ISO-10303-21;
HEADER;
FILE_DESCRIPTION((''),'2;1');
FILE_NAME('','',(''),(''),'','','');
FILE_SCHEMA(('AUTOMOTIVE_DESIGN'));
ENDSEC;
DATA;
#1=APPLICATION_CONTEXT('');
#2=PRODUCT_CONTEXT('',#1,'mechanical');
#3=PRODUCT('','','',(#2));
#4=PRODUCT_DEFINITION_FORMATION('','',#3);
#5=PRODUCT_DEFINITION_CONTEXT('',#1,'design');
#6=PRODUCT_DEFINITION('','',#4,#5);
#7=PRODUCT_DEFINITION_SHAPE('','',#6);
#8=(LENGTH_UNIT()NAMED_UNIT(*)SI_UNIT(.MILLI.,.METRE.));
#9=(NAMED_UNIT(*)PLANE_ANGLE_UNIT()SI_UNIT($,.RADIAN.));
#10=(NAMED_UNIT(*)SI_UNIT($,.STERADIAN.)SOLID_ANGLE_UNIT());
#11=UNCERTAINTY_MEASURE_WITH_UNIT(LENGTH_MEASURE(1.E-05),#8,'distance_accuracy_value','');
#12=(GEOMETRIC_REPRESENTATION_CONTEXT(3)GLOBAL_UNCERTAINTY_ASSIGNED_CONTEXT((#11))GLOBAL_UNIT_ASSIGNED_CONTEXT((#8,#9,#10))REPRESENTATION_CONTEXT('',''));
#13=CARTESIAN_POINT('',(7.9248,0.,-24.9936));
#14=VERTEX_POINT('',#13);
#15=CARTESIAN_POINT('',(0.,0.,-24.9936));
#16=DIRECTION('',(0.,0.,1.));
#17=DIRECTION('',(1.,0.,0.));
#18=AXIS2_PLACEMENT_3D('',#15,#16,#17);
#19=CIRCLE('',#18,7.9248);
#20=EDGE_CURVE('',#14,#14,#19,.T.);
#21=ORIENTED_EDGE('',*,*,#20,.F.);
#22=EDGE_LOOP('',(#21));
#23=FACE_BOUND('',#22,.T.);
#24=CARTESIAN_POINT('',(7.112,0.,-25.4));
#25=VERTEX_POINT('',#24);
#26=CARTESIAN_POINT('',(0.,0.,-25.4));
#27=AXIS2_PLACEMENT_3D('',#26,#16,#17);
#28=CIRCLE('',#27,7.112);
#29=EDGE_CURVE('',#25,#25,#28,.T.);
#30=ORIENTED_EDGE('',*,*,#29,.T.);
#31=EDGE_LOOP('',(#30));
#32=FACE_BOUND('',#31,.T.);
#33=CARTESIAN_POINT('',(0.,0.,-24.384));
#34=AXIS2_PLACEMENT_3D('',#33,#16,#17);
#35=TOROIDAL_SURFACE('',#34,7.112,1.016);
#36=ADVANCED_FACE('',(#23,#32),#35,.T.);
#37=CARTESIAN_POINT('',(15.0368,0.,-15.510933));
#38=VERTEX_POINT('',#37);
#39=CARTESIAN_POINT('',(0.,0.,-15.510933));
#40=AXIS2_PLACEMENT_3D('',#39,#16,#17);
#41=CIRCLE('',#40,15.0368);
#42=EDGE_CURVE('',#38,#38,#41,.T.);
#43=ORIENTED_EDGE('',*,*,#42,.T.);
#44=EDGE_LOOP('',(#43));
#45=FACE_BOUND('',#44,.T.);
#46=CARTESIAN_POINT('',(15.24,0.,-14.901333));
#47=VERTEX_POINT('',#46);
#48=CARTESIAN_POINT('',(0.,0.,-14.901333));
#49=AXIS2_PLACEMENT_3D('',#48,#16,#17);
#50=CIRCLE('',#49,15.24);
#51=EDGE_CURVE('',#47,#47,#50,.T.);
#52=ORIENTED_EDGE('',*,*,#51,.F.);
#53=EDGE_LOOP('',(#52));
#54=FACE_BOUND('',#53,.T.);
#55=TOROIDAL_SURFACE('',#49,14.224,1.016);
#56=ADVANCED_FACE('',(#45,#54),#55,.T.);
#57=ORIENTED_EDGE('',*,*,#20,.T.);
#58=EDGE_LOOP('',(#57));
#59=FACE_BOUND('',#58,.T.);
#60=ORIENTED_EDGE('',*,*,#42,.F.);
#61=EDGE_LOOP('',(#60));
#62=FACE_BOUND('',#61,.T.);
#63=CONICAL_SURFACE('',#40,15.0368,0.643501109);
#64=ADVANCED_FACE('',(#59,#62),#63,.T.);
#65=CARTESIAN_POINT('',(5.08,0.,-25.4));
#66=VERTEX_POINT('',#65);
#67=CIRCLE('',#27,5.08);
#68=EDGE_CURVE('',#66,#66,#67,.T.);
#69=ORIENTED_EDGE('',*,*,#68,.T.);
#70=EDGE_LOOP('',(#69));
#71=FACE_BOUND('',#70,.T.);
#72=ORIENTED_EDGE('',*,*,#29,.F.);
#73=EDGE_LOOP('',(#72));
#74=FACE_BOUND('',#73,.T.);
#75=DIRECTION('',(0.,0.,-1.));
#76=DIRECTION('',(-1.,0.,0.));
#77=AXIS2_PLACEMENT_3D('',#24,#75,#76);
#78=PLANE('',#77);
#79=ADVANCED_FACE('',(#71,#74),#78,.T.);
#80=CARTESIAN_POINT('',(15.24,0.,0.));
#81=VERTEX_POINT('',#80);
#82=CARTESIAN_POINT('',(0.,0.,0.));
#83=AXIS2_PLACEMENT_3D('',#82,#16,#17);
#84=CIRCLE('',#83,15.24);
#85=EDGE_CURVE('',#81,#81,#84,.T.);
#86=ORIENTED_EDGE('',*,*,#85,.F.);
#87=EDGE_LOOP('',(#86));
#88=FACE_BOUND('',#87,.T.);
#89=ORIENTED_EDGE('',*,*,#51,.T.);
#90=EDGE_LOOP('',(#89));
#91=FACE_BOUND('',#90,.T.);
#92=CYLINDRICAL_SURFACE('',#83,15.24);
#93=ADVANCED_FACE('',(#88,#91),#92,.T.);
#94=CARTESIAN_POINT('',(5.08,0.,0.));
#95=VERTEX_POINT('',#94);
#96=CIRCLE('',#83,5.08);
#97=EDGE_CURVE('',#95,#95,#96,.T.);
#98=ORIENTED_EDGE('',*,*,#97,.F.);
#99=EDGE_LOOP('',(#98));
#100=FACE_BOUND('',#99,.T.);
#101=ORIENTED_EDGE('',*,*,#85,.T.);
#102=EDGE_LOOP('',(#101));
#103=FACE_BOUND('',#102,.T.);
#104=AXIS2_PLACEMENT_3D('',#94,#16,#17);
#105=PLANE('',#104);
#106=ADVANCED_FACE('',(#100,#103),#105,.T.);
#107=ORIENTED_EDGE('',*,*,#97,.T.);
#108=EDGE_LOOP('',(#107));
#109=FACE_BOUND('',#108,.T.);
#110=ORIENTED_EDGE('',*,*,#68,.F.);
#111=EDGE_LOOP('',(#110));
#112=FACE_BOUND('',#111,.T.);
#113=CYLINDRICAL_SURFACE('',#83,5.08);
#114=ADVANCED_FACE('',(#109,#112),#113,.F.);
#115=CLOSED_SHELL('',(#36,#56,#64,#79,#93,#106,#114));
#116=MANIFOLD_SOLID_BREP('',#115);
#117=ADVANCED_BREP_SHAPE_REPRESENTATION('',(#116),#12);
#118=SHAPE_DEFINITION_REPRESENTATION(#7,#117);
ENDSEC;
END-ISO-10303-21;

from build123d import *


with BuildPart() as part:
    # Sketch1 → Revolve1 (revolve)
    with BuildSketch(Plane(origin=(0, 0, 0), x_dir=(1, 0, 0), z_dir=(0, 1, 0))):
        with BuildLine():
            Line((5.08, 25.4), (5.08, 0))
            Line((5.08, 0), (15.24, 0))
            Line((15.24, 0), (15.24, 14.901333333))
            ThreePointArc((15.24, 14.901333333), (15.187862231, 15.222620744), (15.0368, 15.510933333))
            Line((15.0368, 15.510933333), (7.9248, 24.9936))
            ThreePointArc((7.9248, 24.9936), (7.566369013, 25.292738026), (7.112, 25.4))
            Line((7.112, 25.4), (5.08, 25.4))
        make_face()
    revolve(axis=Axis((0, 0, 0), (0, 0, -1)))


solid = part.part
